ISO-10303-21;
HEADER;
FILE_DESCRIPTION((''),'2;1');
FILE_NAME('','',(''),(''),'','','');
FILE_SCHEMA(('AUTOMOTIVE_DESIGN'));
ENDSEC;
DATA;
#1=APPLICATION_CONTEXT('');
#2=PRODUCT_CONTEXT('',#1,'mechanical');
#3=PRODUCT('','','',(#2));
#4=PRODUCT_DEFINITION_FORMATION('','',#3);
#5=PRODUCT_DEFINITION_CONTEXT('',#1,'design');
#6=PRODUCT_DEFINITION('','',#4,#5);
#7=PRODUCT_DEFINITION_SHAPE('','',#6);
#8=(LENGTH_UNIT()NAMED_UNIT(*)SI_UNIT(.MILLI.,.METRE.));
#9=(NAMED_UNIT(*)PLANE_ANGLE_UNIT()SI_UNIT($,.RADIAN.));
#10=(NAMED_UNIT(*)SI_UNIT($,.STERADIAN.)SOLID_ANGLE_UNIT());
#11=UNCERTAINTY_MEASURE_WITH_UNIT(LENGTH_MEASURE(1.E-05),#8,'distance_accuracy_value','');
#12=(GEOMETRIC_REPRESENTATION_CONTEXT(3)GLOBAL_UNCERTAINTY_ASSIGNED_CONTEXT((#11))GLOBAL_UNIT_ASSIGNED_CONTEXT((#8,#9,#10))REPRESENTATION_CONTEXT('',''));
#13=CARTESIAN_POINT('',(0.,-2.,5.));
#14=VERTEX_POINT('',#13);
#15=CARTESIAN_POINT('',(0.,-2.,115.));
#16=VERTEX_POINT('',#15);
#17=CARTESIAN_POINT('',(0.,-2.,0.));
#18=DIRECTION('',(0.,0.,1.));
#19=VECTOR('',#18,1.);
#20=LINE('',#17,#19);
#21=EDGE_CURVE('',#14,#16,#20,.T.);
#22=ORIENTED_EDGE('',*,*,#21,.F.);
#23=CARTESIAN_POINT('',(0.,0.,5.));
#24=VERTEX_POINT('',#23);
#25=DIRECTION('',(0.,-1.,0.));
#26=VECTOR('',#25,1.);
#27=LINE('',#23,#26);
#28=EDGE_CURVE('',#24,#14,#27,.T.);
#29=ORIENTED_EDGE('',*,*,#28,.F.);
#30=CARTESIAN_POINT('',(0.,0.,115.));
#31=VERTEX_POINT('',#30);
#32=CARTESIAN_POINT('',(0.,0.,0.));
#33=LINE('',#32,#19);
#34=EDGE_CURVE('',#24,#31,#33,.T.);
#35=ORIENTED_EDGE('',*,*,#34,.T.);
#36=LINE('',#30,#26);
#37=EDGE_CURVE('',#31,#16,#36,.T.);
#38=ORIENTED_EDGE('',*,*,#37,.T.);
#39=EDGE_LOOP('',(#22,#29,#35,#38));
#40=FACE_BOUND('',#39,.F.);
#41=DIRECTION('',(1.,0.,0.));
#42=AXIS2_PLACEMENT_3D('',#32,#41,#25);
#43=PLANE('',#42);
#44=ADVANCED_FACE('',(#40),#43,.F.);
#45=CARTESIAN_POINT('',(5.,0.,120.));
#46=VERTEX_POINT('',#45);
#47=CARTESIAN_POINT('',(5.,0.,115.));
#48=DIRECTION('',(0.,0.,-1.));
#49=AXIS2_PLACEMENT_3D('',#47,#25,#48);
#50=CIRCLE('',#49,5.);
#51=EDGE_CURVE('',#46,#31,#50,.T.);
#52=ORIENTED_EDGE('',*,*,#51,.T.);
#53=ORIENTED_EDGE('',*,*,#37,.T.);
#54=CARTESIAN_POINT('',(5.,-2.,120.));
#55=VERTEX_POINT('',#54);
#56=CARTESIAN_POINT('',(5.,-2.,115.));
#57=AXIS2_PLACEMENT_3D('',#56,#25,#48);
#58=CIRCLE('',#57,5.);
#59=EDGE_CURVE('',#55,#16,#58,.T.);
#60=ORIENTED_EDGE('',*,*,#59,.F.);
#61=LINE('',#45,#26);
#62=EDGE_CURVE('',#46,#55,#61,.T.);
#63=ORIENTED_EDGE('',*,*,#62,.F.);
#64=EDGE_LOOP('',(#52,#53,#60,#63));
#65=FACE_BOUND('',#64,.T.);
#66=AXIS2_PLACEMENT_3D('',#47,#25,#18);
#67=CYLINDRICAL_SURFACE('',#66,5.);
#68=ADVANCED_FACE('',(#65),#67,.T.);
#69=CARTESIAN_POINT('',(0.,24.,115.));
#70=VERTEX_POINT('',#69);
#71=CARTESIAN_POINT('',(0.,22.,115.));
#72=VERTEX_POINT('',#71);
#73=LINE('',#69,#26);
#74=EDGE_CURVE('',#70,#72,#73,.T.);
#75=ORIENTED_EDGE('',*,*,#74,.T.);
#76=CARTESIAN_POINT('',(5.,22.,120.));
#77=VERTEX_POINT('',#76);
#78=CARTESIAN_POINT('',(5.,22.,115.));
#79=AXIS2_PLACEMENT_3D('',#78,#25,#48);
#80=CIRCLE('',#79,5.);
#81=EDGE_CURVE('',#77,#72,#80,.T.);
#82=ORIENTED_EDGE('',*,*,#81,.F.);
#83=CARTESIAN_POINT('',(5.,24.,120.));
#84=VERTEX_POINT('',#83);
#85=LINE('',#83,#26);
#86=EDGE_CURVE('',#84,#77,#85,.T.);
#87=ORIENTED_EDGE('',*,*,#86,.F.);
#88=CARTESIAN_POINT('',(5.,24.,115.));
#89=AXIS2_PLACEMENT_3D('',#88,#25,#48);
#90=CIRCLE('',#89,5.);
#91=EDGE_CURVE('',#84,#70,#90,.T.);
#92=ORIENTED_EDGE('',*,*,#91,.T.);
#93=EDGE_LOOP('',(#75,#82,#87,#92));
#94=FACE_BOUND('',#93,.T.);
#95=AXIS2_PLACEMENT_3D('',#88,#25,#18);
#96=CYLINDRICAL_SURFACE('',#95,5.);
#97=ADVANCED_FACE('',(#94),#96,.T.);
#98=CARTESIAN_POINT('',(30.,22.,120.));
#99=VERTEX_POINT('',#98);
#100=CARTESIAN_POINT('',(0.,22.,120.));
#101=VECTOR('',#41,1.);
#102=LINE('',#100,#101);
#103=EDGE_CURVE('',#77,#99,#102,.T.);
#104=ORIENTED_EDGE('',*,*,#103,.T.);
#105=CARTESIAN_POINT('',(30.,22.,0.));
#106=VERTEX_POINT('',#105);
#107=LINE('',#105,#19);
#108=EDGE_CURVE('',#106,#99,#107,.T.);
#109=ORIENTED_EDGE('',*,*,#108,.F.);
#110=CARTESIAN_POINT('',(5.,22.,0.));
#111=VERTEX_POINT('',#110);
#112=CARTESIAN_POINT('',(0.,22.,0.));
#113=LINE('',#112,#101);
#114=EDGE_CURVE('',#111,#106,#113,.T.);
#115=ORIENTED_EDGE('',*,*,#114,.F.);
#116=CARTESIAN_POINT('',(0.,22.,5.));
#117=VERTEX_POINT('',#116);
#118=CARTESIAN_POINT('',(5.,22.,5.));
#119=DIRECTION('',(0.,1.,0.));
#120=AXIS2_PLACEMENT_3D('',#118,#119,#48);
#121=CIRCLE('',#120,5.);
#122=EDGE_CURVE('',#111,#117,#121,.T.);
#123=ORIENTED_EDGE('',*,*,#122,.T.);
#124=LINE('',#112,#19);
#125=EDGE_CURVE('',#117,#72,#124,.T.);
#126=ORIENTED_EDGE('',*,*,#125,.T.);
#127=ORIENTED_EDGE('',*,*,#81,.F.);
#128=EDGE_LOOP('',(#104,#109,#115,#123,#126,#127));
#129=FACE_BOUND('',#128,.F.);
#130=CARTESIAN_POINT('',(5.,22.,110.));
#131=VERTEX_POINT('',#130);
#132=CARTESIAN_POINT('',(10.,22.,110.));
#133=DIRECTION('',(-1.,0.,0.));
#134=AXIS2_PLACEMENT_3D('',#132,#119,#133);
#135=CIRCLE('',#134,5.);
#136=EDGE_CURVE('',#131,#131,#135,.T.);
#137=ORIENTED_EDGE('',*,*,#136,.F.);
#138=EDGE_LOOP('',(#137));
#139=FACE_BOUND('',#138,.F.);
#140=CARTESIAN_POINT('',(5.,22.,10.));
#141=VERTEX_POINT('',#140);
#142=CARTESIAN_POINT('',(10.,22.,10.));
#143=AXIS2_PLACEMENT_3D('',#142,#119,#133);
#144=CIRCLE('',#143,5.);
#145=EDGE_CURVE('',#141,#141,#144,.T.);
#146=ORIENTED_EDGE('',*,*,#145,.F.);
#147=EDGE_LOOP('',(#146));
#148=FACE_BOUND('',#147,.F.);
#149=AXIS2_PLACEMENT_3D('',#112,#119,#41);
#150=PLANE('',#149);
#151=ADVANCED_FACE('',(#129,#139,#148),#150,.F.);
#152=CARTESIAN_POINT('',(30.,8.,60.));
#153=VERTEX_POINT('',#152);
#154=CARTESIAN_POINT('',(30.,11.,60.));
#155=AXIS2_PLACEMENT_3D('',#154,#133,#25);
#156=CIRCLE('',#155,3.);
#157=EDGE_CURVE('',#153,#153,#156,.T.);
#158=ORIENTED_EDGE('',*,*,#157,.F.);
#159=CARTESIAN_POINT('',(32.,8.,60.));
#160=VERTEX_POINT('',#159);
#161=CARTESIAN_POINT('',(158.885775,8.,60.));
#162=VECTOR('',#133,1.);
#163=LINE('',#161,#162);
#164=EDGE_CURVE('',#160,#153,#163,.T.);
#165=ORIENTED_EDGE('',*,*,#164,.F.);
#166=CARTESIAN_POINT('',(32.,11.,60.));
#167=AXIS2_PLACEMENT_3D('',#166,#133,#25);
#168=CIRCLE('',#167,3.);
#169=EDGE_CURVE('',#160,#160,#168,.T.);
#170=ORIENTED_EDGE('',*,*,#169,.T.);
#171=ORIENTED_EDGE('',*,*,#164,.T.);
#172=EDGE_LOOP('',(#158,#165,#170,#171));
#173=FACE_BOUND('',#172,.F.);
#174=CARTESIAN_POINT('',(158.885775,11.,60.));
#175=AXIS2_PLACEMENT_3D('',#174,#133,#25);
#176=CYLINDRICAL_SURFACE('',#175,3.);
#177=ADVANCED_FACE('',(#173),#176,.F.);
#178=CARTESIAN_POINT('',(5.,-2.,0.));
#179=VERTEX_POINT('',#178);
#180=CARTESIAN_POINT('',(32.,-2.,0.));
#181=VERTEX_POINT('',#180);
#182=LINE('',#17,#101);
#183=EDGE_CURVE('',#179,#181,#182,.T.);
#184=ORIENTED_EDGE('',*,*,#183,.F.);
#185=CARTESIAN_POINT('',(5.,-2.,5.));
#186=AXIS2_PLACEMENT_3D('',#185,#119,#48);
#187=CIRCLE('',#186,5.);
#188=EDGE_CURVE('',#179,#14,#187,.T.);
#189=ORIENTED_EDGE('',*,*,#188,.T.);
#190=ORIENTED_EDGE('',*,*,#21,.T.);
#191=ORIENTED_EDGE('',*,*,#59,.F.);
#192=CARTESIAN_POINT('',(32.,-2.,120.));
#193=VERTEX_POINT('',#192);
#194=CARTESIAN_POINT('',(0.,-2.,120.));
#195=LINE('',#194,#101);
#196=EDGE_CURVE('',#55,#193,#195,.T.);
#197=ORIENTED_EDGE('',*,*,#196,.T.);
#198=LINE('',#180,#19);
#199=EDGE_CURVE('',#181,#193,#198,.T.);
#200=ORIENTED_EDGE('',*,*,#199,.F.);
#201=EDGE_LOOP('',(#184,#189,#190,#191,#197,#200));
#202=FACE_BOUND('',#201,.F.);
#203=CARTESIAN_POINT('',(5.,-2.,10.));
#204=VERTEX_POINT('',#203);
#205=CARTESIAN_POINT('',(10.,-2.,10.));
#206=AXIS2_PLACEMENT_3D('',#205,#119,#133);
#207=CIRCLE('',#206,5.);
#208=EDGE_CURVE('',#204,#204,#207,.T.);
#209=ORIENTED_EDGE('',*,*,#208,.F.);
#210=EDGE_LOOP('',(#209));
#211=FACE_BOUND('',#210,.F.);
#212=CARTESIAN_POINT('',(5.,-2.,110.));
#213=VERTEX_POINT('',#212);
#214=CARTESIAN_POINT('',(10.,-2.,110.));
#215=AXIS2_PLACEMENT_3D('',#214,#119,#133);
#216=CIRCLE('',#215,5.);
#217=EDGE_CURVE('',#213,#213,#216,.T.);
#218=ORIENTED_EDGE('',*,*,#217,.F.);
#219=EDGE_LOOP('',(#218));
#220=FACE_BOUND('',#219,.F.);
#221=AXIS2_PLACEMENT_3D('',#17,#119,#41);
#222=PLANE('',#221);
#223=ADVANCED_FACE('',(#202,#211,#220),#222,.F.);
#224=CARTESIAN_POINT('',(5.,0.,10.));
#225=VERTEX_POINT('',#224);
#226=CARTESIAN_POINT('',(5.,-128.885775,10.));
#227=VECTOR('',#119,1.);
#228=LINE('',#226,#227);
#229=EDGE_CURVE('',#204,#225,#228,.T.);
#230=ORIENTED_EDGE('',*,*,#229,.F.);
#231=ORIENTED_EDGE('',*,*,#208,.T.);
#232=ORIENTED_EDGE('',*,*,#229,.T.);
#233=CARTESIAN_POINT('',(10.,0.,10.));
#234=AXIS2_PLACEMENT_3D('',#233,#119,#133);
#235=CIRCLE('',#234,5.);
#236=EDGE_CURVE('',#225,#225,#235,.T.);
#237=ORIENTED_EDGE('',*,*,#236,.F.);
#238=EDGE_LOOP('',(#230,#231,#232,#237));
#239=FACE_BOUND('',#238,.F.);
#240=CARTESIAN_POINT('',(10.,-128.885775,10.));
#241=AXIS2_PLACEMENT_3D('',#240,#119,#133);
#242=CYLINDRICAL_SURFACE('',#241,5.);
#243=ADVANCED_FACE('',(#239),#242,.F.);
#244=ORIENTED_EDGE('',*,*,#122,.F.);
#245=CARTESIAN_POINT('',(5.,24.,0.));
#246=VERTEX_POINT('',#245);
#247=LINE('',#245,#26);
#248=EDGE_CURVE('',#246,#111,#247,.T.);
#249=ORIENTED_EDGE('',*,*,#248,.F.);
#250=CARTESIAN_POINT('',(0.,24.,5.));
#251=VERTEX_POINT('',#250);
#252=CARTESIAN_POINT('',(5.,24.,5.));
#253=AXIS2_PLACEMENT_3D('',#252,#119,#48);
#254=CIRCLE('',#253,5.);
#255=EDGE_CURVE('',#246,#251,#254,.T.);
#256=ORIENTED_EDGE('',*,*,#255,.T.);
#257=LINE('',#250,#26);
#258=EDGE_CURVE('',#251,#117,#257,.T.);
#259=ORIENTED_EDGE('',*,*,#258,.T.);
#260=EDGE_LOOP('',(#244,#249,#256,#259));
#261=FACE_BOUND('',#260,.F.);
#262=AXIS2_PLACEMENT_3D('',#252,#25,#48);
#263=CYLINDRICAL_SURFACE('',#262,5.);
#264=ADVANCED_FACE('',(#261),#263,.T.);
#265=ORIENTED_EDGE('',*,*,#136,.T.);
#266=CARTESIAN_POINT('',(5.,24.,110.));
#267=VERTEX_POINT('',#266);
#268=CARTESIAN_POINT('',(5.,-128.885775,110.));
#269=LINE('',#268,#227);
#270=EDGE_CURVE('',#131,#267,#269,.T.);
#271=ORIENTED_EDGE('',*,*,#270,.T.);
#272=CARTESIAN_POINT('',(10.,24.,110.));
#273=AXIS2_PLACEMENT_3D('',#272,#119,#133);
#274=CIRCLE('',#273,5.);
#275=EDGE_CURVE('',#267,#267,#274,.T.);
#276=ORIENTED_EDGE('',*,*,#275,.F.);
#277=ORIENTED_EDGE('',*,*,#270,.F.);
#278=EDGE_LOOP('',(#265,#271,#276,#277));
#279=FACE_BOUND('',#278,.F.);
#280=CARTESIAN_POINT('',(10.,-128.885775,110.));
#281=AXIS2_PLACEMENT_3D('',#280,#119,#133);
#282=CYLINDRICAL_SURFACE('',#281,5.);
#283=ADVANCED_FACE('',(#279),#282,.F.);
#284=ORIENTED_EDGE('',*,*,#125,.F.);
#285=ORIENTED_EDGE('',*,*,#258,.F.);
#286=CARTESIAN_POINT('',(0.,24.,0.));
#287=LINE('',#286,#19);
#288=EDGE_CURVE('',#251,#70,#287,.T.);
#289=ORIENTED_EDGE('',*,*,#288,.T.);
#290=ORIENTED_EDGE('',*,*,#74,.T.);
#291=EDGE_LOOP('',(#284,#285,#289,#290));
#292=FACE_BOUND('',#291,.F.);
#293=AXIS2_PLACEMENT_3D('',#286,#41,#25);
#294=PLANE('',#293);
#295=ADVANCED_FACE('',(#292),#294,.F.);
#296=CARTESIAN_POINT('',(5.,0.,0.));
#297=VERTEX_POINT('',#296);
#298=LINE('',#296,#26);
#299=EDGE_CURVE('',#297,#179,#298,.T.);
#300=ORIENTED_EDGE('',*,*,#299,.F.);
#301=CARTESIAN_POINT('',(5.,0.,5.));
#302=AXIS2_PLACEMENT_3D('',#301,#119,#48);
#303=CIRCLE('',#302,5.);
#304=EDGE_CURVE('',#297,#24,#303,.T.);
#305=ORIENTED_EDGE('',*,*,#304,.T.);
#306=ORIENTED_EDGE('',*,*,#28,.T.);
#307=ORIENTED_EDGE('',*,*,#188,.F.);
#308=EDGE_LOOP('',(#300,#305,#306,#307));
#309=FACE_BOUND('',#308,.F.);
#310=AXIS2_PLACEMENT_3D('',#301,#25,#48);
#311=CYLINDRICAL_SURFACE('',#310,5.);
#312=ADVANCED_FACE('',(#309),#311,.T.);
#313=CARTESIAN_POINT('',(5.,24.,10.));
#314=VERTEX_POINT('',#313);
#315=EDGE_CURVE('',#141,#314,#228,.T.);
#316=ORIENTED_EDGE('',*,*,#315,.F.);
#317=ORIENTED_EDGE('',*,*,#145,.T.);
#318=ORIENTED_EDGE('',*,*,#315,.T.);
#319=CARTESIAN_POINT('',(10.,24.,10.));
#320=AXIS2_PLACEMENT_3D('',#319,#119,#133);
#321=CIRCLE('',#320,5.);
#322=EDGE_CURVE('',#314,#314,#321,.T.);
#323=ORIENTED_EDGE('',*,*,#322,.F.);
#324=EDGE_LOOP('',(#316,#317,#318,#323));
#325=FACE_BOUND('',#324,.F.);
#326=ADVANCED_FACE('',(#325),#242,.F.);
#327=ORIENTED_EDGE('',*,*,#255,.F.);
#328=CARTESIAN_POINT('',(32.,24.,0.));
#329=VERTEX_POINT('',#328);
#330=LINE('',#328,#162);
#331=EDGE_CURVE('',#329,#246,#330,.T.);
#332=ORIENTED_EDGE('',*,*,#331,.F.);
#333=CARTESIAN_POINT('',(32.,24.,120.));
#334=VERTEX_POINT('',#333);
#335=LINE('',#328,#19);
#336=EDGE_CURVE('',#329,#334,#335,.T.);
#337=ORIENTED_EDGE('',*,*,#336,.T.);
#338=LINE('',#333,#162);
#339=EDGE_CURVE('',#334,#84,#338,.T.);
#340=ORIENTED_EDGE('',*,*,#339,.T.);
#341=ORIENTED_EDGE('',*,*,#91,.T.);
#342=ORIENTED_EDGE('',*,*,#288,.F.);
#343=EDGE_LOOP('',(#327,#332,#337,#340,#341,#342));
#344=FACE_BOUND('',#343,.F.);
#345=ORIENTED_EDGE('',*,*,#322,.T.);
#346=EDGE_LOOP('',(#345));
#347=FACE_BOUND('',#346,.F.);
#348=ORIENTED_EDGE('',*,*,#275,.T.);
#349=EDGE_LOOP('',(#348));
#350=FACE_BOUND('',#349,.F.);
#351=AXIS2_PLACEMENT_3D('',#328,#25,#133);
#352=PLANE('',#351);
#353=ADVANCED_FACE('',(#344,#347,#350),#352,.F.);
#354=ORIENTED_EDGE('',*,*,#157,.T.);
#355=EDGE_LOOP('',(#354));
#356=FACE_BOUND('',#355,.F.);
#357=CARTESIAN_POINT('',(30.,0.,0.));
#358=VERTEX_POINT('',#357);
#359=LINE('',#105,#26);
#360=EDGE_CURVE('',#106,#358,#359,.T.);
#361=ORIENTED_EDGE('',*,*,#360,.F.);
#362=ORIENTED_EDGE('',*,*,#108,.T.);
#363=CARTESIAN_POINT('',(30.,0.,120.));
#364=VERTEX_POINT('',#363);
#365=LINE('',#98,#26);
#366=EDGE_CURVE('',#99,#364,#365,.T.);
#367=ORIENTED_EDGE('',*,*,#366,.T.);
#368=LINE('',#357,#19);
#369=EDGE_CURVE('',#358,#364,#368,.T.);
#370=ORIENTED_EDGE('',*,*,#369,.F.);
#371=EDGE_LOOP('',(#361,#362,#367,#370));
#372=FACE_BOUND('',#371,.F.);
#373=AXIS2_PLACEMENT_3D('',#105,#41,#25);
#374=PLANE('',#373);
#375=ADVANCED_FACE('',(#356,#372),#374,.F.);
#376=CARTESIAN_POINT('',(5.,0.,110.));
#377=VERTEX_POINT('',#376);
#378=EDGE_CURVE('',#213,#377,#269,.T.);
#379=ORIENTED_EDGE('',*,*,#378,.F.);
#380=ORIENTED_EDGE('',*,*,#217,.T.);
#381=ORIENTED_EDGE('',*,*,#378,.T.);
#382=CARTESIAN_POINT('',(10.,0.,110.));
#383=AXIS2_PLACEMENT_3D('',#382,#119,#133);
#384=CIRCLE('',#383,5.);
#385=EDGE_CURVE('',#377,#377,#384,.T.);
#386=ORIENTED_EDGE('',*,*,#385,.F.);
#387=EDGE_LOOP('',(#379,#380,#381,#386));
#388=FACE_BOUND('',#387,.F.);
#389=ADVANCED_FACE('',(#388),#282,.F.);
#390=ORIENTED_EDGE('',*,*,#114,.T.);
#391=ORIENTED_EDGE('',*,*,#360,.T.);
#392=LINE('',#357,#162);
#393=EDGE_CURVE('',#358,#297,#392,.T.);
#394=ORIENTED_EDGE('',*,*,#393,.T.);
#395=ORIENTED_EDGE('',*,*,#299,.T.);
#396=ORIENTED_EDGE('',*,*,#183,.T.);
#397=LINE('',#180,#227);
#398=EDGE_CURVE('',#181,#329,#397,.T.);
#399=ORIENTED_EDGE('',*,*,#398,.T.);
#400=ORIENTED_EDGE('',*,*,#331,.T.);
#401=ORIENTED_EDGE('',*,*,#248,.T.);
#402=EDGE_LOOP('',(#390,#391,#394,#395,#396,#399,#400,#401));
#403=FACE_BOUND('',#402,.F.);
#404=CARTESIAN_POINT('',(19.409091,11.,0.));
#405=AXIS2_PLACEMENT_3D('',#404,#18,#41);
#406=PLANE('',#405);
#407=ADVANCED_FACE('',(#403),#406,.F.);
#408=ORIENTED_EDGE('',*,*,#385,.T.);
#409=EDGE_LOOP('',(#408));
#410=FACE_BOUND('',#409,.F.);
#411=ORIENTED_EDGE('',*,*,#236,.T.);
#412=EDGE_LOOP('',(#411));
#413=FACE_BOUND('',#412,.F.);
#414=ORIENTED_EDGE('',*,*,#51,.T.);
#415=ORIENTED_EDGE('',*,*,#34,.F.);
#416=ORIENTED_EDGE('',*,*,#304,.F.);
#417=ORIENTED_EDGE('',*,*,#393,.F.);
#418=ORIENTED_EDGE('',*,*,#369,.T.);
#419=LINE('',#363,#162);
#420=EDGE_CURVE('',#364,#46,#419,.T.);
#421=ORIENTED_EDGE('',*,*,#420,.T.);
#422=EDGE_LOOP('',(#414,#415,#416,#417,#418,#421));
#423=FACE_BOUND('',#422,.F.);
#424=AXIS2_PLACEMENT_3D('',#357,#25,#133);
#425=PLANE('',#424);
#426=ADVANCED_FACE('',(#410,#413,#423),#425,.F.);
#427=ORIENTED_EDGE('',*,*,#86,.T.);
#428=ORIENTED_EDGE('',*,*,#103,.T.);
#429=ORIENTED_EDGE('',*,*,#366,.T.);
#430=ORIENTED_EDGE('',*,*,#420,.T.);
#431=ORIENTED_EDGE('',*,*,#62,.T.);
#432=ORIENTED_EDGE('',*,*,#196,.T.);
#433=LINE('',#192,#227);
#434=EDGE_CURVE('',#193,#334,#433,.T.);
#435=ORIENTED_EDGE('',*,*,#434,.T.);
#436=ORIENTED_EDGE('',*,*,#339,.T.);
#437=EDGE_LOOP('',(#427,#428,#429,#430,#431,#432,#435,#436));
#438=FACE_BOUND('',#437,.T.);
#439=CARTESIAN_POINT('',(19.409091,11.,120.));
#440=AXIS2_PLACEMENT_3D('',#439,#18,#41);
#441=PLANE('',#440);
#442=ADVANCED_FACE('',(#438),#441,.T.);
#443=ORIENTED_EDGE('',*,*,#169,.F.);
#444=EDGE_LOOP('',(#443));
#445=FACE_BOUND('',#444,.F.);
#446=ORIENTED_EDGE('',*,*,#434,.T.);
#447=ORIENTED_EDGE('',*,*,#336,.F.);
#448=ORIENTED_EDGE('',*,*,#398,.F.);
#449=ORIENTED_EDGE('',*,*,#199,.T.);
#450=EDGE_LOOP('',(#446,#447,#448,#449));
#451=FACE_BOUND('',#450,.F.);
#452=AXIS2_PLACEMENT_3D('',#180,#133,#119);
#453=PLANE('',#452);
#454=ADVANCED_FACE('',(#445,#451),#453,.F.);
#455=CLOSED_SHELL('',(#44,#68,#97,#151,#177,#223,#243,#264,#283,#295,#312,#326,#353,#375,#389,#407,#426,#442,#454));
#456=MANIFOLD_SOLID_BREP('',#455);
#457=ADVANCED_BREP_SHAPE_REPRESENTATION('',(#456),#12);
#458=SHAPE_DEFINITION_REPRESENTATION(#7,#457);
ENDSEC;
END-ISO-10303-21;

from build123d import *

# Parameters (mm, degrees)
F1_DEPTH = 120
F3_D     = 10
F5_D     = 6
F6_R     = 5


with BuildPart() as f1:
    # F0 (on Top) → F1 (new body)
    with BuildSketch(Plane.XY):
        Polygon((30, 0), (0, 0), (0, -2), (32, -2), (32, 24), (0, 24), (0, 22), (30, 22), align=None)
    extrude(amount=F1_DEPTH)

    # F3 (through all)
    with Locations(Plane.XZ.offset(2)):
        with Locations((10, 110), (10, 10)):
            Hole(F3_D / 2)

    # F5 (through all)
    with Locations(Plane.YZ.offset(32)):
        with Locations((11, 60)):
            Hole(F5_D / 2)

    # F6
    f6_edges = [f1.edges().sort_by_distance(p)[0] for p in [
        (0, -1, 120),
        (0, 23, 120),
        (0, 23, 0),
        (0, -1, 0),
    ]]
    fillet(f6_edges, radius=F6_R)


solid = f1.part
